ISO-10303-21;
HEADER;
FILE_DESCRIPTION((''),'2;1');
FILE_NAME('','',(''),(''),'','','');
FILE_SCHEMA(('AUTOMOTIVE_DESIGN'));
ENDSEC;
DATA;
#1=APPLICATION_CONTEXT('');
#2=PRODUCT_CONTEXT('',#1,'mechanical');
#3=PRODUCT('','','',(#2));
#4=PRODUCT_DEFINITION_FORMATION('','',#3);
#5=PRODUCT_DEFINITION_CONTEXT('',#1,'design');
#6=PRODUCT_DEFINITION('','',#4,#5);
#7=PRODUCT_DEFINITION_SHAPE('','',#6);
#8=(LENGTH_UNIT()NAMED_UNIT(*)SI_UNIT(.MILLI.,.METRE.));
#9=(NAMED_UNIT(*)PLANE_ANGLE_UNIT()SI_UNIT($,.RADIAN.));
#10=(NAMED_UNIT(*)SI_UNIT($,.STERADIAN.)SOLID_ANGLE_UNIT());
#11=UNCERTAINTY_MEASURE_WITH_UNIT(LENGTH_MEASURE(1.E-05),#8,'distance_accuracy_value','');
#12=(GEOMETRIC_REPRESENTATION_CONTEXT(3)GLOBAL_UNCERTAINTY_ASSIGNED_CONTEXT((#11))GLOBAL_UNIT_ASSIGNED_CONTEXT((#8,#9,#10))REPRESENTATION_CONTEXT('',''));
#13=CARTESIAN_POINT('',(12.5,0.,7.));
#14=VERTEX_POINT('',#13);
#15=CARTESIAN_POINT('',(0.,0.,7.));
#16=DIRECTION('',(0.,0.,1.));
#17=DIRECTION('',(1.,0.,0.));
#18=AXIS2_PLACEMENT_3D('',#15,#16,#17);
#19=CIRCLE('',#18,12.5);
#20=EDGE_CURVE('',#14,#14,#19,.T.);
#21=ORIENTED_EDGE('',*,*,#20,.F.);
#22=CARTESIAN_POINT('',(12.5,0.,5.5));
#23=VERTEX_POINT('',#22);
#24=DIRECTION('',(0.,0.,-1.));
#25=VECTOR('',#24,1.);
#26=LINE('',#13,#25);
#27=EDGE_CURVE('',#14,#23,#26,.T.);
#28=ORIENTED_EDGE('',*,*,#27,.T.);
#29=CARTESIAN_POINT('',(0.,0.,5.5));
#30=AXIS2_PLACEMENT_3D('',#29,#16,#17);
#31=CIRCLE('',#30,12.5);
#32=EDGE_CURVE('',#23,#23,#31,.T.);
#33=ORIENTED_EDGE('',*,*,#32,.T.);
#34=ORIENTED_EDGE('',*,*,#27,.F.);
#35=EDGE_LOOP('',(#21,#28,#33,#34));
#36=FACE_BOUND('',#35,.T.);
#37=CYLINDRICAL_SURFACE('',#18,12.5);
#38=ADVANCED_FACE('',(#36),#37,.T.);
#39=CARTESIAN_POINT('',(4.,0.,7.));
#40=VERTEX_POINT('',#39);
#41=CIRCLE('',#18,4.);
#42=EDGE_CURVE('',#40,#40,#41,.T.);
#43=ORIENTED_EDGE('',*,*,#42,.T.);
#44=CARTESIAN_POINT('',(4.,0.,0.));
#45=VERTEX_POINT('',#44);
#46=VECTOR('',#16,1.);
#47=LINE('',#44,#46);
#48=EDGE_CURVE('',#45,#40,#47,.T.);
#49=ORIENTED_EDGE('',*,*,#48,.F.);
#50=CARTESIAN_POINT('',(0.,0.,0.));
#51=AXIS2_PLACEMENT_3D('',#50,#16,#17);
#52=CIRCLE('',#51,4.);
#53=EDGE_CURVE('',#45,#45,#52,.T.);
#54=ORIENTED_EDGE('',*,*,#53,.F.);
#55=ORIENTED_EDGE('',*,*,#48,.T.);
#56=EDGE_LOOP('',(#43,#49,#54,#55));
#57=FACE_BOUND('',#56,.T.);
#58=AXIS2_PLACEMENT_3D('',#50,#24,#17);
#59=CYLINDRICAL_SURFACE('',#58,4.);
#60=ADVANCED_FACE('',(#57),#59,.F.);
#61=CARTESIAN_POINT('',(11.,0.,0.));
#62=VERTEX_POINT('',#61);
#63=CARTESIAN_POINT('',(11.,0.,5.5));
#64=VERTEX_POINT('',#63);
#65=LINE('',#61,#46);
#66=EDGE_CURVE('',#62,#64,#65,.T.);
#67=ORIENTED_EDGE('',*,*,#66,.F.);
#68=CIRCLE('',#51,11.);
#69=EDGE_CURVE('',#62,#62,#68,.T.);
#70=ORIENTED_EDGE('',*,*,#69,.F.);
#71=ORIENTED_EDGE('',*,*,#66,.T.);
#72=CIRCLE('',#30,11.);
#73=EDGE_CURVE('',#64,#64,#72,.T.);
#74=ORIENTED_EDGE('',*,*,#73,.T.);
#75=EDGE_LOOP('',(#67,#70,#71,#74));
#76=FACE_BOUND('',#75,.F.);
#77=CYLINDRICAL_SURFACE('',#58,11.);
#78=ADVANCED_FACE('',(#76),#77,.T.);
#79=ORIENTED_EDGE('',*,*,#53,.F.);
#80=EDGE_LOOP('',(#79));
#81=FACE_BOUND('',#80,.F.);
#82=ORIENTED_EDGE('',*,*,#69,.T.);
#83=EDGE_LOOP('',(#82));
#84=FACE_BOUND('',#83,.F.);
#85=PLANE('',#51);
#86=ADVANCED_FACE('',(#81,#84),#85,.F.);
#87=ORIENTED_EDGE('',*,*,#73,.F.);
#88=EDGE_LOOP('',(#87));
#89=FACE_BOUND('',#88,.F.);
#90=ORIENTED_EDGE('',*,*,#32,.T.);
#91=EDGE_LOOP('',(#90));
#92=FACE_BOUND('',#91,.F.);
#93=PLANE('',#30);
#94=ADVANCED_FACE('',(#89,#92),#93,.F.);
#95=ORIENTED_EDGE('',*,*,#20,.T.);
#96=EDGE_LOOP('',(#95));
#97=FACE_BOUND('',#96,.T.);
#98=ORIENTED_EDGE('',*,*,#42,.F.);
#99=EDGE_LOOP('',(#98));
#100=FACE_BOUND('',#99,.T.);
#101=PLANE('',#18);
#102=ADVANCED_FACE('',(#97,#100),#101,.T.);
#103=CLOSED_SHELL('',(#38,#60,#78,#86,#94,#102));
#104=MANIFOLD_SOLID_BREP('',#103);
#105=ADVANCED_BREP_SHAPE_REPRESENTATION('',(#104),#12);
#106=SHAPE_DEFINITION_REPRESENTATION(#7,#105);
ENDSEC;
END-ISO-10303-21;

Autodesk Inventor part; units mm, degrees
ref_plane "YZ Plane" through (0, 0, 0) normal (1, 0, 0) x (0, 1, 0)
ref_plane "XZ Plane" through (0, 0, 0) normal (0, 1, 0) x (-1, 0, 0)
ref_plane "XY Plane" through (0, 0, 0) normal (0, 0, 1) x (1, 0, 0)
sketch "Sketch1" plane through (0, 0, 0) normal (0, 0, 1) x (1, 0, 0)
  circle A0 centre (0, 0) radius 4
  circle A1 centre (0, 0) radius 11
  dimension "d0" = 8
  dimension "d1" = 22
extrude "Extrusion1" add sketch "Sketch1" along normal blind 7
sketch "Sketch2" plane through (0, 0, 7) normal (0, 0, 1) x (1, 0, 0)
  circle A0 centre (0, 0) radius 11 projected
  circle A1 centre (0, 0) radius 12.5
  dimension "d4" = 25
extrude "Extrusion2" add sketch "Sketch2" against normal blind 1.5
properties part number "z-bearing"
